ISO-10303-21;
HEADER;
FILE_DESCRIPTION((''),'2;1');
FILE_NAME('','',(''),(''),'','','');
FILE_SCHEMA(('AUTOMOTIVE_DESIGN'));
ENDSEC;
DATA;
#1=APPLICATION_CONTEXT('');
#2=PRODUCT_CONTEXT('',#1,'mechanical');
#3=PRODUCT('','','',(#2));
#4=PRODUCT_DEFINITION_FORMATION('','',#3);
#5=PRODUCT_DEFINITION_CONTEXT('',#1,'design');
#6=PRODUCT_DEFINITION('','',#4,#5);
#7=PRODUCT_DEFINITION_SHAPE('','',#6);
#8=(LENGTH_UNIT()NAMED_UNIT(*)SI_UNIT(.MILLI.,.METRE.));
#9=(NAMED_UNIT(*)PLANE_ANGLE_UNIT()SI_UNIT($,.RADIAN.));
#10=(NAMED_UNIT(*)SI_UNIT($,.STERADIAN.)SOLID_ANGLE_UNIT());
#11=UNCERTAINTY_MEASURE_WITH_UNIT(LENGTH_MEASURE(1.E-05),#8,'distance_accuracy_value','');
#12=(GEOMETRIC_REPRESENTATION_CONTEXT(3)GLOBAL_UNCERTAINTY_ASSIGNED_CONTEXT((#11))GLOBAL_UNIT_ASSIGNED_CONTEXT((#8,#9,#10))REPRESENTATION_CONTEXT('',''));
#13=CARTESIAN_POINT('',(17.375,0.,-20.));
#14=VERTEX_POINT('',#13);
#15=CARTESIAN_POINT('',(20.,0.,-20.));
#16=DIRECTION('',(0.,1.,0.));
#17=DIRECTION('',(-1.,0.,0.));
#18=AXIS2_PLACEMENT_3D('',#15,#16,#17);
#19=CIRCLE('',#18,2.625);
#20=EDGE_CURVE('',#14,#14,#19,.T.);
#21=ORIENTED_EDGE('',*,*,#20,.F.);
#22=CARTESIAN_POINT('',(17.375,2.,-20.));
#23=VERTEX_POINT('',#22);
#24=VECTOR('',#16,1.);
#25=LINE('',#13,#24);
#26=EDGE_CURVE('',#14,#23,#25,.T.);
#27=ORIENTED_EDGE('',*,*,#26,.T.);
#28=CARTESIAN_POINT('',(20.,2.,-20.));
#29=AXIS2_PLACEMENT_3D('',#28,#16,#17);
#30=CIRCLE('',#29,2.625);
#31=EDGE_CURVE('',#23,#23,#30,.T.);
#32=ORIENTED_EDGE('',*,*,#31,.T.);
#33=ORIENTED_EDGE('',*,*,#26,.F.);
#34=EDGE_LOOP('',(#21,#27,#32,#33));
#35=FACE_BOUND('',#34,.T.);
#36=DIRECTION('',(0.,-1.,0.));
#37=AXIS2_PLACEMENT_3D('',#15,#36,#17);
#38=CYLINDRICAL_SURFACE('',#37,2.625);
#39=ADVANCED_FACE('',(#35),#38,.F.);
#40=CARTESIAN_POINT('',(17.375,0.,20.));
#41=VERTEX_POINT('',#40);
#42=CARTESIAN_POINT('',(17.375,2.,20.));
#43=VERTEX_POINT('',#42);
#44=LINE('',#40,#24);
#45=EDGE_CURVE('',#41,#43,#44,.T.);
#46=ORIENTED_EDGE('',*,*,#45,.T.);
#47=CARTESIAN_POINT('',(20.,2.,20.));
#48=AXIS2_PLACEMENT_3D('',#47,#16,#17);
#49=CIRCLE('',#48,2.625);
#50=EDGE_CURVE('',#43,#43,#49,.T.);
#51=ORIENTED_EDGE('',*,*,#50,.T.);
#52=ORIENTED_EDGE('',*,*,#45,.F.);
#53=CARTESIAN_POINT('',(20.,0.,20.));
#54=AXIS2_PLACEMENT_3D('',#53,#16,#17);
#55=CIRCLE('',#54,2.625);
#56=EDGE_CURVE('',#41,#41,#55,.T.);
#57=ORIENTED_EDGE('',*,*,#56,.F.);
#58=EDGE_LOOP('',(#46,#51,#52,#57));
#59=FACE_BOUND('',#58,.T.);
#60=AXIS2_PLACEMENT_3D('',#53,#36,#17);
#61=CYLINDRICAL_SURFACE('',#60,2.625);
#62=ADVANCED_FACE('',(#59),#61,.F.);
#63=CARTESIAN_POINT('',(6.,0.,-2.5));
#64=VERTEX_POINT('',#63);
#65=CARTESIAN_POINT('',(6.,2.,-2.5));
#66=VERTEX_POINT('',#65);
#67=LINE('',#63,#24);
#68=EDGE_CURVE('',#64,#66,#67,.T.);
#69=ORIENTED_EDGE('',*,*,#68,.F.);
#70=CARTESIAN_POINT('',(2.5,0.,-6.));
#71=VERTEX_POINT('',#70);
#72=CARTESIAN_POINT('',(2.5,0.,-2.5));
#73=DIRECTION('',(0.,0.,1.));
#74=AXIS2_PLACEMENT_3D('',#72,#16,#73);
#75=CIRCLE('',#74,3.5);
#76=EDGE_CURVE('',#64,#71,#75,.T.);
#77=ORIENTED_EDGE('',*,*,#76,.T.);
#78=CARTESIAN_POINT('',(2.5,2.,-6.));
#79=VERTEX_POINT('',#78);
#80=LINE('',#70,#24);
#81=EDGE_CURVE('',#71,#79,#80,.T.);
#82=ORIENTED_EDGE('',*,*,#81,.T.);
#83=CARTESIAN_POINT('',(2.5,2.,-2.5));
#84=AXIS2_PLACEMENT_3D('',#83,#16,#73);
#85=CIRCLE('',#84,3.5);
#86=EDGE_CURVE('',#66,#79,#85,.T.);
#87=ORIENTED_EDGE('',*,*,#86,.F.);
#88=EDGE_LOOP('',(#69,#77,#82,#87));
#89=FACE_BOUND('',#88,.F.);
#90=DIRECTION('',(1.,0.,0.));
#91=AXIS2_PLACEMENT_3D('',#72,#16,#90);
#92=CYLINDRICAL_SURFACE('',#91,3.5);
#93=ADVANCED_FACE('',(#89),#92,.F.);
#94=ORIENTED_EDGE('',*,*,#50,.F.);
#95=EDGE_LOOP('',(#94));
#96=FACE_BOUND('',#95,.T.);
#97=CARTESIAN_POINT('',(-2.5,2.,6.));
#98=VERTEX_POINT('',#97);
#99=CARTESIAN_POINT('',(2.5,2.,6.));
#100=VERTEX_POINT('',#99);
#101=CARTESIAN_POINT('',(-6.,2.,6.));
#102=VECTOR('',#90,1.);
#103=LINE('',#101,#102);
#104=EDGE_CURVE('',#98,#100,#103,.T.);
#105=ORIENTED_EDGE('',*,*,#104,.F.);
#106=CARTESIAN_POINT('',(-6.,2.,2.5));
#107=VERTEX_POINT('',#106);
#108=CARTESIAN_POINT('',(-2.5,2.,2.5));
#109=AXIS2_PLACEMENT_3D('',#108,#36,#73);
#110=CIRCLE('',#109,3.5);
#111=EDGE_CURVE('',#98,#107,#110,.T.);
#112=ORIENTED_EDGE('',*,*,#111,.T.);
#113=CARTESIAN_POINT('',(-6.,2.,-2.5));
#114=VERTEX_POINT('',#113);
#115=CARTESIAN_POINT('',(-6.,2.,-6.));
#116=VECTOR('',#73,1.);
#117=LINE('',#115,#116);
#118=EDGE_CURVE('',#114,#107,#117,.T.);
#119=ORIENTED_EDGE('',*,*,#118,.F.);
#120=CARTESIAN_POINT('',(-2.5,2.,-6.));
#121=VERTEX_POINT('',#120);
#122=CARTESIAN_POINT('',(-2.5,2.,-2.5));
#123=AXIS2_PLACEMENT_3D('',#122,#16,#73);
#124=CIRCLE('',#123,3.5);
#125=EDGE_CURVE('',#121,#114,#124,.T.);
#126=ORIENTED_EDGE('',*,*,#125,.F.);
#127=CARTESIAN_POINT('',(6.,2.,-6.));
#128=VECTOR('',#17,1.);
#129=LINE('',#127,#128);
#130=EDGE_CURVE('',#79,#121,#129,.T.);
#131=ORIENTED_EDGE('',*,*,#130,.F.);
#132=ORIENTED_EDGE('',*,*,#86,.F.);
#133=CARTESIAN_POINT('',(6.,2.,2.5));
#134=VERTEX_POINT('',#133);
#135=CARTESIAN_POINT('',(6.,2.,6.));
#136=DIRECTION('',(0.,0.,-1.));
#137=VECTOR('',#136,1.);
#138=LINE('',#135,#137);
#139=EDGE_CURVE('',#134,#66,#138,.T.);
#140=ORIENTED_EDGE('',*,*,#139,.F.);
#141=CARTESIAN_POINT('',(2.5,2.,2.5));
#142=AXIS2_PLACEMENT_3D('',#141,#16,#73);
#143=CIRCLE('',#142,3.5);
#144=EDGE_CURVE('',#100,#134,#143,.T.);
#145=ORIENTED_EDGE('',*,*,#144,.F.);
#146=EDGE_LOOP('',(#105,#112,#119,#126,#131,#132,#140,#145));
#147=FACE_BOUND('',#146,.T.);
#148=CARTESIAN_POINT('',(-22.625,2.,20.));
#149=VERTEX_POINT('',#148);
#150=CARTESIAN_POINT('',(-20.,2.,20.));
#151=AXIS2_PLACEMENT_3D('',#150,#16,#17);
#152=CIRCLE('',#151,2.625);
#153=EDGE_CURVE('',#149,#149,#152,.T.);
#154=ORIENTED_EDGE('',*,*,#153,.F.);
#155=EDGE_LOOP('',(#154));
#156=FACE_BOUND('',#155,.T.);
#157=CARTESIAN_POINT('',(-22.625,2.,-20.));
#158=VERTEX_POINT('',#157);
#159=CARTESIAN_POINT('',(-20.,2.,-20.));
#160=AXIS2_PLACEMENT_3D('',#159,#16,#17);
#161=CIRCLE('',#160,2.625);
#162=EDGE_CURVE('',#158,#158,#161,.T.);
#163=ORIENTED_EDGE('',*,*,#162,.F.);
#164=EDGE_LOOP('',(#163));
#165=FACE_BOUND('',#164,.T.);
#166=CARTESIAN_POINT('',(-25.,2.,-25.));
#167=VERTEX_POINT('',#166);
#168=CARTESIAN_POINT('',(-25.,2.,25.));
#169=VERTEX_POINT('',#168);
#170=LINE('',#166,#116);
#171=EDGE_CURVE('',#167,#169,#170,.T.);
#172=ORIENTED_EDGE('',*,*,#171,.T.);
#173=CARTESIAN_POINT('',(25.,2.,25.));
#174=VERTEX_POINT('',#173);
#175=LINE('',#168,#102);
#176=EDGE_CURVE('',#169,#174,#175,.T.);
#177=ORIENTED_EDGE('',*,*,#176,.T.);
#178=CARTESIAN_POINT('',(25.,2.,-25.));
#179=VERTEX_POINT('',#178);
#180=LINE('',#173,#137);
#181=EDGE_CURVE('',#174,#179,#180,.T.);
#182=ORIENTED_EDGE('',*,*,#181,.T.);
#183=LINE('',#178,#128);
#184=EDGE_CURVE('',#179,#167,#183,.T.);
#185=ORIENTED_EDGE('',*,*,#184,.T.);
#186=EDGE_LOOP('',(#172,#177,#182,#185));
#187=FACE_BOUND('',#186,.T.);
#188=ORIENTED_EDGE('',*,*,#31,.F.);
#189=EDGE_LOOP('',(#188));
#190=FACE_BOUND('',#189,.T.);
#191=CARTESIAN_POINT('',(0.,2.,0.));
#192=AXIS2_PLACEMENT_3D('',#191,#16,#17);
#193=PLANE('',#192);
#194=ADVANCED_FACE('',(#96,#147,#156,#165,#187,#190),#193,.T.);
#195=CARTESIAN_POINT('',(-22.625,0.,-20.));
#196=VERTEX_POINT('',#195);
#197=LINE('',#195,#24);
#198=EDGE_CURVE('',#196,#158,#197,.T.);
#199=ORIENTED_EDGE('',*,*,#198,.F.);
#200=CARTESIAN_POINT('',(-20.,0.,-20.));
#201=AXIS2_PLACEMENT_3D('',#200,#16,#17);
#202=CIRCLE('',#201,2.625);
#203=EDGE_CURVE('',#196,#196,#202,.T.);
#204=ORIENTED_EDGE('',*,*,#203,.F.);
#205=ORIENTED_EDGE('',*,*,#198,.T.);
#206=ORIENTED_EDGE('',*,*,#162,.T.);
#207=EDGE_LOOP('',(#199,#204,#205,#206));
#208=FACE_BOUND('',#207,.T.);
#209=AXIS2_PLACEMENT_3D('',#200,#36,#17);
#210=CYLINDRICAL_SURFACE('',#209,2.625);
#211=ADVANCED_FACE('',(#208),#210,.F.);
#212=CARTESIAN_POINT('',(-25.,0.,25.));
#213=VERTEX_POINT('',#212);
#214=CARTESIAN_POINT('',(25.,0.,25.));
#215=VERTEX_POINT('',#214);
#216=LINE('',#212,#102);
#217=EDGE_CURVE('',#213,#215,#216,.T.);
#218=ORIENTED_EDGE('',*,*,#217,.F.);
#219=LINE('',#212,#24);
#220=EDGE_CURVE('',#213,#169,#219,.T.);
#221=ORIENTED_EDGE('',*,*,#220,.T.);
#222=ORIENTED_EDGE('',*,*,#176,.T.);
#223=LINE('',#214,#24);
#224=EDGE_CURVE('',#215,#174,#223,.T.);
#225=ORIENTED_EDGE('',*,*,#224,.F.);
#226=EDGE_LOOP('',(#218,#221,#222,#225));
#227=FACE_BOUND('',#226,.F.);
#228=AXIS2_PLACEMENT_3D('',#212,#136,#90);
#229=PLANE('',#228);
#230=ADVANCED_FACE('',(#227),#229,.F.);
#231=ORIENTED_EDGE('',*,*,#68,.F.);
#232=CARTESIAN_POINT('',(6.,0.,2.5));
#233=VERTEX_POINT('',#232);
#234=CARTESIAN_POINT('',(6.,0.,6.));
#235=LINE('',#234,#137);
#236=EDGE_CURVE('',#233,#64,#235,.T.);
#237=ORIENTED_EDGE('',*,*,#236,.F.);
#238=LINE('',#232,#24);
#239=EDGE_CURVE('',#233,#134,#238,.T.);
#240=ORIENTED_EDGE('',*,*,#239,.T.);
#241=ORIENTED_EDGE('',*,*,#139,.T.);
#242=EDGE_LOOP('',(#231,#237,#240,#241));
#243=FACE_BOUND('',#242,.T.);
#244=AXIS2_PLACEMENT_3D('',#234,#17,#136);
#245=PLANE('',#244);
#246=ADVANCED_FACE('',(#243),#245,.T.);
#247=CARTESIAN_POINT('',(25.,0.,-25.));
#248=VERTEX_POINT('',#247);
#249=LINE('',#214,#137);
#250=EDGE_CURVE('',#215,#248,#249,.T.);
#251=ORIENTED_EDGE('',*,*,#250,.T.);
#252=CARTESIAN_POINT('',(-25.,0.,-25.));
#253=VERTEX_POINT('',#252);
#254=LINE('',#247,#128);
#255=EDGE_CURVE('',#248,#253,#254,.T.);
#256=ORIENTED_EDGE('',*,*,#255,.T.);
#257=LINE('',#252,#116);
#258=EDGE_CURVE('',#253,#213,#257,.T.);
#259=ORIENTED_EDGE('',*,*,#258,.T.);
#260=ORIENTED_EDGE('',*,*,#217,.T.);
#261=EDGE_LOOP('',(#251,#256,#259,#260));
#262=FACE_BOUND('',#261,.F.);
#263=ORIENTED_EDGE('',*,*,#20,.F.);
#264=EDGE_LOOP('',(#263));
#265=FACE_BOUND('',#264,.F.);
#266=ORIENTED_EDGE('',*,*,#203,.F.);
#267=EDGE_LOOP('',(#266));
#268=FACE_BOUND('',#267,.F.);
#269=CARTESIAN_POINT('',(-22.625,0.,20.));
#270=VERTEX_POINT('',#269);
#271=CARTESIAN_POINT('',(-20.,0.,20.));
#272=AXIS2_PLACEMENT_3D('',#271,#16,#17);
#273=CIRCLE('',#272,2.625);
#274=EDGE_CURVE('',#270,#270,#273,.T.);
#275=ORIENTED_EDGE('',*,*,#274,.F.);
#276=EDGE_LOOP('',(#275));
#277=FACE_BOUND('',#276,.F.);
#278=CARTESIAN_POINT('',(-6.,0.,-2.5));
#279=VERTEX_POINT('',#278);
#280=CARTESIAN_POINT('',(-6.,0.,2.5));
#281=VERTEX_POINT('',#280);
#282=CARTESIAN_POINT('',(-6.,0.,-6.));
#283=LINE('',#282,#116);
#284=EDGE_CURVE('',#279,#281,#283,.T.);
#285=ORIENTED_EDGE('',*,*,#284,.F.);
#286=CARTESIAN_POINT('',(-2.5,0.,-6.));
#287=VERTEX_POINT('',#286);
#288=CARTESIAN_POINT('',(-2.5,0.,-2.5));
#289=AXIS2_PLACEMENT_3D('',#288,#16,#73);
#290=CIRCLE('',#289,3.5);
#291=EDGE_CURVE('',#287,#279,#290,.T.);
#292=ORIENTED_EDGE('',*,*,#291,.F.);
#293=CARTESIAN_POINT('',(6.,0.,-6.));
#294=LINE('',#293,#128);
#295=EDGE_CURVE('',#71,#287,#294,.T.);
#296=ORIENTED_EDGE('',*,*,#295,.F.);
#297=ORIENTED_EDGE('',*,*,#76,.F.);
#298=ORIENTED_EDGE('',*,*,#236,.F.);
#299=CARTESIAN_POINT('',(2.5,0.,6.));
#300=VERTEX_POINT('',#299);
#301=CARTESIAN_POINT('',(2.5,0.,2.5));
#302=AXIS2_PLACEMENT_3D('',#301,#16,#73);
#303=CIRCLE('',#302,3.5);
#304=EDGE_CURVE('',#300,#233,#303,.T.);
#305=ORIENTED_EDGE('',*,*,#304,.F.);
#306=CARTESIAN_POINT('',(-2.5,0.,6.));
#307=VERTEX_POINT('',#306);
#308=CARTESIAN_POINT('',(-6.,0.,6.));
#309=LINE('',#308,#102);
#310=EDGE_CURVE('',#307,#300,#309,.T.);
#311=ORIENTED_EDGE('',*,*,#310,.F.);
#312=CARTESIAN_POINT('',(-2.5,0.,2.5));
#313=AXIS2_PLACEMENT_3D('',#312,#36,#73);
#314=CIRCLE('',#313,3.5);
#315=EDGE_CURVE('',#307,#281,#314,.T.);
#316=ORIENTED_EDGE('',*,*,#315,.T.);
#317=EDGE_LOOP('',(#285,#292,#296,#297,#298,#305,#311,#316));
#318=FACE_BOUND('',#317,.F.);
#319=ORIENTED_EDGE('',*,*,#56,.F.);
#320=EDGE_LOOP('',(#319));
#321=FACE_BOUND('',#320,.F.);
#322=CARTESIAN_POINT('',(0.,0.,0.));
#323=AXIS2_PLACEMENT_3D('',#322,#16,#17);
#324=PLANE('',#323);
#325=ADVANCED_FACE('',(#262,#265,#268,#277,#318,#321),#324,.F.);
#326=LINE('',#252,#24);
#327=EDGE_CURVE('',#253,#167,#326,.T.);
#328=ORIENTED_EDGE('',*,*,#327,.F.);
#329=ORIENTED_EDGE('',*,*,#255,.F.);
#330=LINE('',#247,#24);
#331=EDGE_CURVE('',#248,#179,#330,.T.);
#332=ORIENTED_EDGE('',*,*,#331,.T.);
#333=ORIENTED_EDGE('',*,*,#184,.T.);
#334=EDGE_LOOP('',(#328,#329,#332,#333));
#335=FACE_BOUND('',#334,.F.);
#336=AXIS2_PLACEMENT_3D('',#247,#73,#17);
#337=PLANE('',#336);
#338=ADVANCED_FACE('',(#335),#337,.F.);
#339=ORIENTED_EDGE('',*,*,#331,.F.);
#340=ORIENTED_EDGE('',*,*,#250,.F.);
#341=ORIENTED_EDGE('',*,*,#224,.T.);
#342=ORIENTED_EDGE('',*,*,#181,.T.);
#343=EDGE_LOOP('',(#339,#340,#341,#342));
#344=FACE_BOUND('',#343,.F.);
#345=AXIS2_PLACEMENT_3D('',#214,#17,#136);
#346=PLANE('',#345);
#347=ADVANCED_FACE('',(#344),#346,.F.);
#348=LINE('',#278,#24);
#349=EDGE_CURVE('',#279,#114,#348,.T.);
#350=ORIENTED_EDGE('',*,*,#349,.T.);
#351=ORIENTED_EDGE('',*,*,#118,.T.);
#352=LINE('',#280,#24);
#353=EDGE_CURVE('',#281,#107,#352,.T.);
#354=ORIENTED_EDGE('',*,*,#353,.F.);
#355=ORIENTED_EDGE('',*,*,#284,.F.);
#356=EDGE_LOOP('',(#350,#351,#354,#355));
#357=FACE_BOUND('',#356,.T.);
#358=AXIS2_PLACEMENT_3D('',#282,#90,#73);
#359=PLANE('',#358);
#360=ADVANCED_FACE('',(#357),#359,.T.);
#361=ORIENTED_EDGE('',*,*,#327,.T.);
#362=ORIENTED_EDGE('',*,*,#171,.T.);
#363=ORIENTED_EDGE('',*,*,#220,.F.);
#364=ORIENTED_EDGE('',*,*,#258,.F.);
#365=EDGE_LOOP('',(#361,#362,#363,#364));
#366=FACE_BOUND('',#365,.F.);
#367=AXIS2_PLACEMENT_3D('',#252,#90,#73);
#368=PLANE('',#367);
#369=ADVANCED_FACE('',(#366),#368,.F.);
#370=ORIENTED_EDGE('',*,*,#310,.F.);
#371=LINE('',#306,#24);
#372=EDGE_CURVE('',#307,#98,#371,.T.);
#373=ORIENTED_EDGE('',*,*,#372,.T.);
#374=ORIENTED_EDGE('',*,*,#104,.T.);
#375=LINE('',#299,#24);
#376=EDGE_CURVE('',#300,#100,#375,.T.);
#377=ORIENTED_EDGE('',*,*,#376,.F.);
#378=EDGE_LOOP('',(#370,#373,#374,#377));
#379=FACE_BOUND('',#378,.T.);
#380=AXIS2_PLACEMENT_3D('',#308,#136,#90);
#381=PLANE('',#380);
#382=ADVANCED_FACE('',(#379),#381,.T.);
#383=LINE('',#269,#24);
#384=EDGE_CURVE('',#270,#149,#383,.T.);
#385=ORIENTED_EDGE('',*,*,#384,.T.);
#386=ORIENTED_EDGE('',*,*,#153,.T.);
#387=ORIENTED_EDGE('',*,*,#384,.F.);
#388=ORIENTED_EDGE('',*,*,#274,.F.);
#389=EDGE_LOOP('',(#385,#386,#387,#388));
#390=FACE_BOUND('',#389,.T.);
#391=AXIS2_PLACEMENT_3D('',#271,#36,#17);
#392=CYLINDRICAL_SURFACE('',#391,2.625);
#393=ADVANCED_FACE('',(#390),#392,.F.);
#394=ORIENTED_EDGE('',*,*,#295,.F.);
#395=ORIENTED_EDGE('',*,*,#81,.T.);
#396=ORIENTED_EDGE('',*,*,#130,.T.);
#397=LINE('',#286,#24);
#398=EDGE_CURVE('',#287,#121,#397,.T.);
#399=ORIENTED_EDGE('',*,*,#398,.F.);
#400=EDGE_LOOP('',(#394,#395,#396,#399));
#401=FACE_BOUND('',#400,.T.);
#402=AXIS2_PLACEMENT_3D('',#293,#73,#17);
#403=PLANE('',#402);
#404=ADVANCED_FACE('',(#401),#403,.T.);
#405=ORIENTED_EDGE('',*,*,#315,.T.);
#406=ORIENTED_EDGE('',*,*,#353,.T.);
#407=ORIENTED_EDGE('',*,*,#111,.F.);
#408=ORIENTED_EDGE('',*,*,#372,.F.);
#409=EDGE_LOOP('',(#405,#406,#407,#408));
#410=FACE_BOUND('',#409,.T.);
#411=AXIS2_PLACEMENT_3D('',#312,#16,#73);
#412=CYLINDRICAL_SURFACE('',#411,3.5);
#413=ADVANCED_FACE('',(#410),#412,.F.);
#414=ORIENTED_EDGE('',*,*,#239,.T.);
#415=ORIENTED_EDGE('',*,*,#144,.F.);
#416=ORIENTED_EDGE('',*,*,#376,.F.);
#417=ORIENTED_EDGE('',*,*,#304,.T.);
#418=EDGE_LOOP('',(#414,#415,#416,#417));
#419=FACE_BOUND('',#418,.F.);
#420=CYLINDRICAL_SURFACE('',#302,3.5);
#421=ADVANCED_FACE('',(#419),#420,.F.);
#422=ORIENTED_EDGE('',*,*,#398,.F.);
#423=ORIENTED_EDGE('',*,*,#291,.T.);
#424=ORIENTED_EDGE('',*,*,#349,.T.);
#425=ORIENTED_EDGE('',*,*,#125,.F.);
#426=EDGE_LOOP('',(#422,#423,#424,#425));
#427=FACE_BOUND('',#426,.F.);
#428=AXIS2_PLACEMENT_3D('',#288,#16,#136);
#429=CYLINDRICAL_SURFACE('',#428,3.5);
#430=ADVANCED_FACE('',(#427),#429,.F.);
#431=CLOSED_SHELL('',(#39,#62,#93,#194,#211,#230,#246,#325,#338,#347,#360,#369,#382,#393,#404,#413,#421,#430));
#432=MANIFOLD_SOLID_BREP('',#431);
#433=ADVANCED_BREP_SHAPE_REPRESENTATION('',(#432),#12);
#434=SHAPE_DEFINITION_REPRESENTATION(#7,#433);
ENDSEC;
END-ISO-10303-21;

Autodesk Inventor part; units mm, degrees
ref_plane "YZ Plane" through (0, 0, 0) normal (1, 0, 0) x (0, 1, 0)
ref_plane "XZ Plane" through (0, 0, 0) normal (0, 1, 0) x (-1, 0, 0)
ref_plane "XY Plane" through (0, 0, 0) normal (0, 0, 1) x (1, 0, 0)
sketch "Sketch1" plane through (0, 0, 0) normal (0, 1, 0) x (-1, 0, 0)
  line L0 (25, 25) -> (-25, 25)
  line L1 (-25, 25) -> (-25, -25)
  line L2 (-25, -25) -> (25, -25)
  line L3 (25, -25) -> (25, 25)
  line L4 (25, 25) -> (-25, -25) construction
  line L5 (-25, 25) -> (25, -25) construction
  line L6 (6, 6) -> (-6, 6)
  line L7 (-6, 6) -> (-6, -6)
  line L8 (-6, -6) -> (6, -6)
  line L9 (6, -6) -> (6, 6)
  line L10 (6, 6) -> (-6, -6) construction
  line L11 (-6, 6) -> (6, -6) construction
  line L12 (20, 20) -> (-20, 20) construction
  line L13 (-20, 20) -> (-20, -20) construction
  line L14 (-20, -20) -> (20, -20) construction
  line L15 (20, -20) -> (20, 20) construction
  line L16 (20, 20) -> (-20, -20) construction
  line L17 (-20, 20) -> (20, -20) construction
  circle A0 centre (20, 20) radius 2.625
  circle A1 centre (20, -20) radius 2.625
  circle A2 centre (-20, -20) radius 2.625
  circle A3 centre (-20, 20) radius 2.625
  point P0 (0, 0)
  dimension "d0" = 50
  dimension "d1" = 50
  dimension "d2" = 12
  dimension "d3" = 12
  dimension "d4" = 40
  dimension "d5" = 40
  dimension "d6" = 5.25
  dimension "d7" = 5.25
  dimension "d8" = 5.25
  dimension "d9" = 5.25
extrude "Extrusion1" add sketch "Sketch1" along normal blind 2
fillet "Fillet1" radius 3.5 4 edges at (-6, 1, 6) (-6, 1, -6) (6, 1, -6) (6, 1, 6)
properties part number "arena_middle"
